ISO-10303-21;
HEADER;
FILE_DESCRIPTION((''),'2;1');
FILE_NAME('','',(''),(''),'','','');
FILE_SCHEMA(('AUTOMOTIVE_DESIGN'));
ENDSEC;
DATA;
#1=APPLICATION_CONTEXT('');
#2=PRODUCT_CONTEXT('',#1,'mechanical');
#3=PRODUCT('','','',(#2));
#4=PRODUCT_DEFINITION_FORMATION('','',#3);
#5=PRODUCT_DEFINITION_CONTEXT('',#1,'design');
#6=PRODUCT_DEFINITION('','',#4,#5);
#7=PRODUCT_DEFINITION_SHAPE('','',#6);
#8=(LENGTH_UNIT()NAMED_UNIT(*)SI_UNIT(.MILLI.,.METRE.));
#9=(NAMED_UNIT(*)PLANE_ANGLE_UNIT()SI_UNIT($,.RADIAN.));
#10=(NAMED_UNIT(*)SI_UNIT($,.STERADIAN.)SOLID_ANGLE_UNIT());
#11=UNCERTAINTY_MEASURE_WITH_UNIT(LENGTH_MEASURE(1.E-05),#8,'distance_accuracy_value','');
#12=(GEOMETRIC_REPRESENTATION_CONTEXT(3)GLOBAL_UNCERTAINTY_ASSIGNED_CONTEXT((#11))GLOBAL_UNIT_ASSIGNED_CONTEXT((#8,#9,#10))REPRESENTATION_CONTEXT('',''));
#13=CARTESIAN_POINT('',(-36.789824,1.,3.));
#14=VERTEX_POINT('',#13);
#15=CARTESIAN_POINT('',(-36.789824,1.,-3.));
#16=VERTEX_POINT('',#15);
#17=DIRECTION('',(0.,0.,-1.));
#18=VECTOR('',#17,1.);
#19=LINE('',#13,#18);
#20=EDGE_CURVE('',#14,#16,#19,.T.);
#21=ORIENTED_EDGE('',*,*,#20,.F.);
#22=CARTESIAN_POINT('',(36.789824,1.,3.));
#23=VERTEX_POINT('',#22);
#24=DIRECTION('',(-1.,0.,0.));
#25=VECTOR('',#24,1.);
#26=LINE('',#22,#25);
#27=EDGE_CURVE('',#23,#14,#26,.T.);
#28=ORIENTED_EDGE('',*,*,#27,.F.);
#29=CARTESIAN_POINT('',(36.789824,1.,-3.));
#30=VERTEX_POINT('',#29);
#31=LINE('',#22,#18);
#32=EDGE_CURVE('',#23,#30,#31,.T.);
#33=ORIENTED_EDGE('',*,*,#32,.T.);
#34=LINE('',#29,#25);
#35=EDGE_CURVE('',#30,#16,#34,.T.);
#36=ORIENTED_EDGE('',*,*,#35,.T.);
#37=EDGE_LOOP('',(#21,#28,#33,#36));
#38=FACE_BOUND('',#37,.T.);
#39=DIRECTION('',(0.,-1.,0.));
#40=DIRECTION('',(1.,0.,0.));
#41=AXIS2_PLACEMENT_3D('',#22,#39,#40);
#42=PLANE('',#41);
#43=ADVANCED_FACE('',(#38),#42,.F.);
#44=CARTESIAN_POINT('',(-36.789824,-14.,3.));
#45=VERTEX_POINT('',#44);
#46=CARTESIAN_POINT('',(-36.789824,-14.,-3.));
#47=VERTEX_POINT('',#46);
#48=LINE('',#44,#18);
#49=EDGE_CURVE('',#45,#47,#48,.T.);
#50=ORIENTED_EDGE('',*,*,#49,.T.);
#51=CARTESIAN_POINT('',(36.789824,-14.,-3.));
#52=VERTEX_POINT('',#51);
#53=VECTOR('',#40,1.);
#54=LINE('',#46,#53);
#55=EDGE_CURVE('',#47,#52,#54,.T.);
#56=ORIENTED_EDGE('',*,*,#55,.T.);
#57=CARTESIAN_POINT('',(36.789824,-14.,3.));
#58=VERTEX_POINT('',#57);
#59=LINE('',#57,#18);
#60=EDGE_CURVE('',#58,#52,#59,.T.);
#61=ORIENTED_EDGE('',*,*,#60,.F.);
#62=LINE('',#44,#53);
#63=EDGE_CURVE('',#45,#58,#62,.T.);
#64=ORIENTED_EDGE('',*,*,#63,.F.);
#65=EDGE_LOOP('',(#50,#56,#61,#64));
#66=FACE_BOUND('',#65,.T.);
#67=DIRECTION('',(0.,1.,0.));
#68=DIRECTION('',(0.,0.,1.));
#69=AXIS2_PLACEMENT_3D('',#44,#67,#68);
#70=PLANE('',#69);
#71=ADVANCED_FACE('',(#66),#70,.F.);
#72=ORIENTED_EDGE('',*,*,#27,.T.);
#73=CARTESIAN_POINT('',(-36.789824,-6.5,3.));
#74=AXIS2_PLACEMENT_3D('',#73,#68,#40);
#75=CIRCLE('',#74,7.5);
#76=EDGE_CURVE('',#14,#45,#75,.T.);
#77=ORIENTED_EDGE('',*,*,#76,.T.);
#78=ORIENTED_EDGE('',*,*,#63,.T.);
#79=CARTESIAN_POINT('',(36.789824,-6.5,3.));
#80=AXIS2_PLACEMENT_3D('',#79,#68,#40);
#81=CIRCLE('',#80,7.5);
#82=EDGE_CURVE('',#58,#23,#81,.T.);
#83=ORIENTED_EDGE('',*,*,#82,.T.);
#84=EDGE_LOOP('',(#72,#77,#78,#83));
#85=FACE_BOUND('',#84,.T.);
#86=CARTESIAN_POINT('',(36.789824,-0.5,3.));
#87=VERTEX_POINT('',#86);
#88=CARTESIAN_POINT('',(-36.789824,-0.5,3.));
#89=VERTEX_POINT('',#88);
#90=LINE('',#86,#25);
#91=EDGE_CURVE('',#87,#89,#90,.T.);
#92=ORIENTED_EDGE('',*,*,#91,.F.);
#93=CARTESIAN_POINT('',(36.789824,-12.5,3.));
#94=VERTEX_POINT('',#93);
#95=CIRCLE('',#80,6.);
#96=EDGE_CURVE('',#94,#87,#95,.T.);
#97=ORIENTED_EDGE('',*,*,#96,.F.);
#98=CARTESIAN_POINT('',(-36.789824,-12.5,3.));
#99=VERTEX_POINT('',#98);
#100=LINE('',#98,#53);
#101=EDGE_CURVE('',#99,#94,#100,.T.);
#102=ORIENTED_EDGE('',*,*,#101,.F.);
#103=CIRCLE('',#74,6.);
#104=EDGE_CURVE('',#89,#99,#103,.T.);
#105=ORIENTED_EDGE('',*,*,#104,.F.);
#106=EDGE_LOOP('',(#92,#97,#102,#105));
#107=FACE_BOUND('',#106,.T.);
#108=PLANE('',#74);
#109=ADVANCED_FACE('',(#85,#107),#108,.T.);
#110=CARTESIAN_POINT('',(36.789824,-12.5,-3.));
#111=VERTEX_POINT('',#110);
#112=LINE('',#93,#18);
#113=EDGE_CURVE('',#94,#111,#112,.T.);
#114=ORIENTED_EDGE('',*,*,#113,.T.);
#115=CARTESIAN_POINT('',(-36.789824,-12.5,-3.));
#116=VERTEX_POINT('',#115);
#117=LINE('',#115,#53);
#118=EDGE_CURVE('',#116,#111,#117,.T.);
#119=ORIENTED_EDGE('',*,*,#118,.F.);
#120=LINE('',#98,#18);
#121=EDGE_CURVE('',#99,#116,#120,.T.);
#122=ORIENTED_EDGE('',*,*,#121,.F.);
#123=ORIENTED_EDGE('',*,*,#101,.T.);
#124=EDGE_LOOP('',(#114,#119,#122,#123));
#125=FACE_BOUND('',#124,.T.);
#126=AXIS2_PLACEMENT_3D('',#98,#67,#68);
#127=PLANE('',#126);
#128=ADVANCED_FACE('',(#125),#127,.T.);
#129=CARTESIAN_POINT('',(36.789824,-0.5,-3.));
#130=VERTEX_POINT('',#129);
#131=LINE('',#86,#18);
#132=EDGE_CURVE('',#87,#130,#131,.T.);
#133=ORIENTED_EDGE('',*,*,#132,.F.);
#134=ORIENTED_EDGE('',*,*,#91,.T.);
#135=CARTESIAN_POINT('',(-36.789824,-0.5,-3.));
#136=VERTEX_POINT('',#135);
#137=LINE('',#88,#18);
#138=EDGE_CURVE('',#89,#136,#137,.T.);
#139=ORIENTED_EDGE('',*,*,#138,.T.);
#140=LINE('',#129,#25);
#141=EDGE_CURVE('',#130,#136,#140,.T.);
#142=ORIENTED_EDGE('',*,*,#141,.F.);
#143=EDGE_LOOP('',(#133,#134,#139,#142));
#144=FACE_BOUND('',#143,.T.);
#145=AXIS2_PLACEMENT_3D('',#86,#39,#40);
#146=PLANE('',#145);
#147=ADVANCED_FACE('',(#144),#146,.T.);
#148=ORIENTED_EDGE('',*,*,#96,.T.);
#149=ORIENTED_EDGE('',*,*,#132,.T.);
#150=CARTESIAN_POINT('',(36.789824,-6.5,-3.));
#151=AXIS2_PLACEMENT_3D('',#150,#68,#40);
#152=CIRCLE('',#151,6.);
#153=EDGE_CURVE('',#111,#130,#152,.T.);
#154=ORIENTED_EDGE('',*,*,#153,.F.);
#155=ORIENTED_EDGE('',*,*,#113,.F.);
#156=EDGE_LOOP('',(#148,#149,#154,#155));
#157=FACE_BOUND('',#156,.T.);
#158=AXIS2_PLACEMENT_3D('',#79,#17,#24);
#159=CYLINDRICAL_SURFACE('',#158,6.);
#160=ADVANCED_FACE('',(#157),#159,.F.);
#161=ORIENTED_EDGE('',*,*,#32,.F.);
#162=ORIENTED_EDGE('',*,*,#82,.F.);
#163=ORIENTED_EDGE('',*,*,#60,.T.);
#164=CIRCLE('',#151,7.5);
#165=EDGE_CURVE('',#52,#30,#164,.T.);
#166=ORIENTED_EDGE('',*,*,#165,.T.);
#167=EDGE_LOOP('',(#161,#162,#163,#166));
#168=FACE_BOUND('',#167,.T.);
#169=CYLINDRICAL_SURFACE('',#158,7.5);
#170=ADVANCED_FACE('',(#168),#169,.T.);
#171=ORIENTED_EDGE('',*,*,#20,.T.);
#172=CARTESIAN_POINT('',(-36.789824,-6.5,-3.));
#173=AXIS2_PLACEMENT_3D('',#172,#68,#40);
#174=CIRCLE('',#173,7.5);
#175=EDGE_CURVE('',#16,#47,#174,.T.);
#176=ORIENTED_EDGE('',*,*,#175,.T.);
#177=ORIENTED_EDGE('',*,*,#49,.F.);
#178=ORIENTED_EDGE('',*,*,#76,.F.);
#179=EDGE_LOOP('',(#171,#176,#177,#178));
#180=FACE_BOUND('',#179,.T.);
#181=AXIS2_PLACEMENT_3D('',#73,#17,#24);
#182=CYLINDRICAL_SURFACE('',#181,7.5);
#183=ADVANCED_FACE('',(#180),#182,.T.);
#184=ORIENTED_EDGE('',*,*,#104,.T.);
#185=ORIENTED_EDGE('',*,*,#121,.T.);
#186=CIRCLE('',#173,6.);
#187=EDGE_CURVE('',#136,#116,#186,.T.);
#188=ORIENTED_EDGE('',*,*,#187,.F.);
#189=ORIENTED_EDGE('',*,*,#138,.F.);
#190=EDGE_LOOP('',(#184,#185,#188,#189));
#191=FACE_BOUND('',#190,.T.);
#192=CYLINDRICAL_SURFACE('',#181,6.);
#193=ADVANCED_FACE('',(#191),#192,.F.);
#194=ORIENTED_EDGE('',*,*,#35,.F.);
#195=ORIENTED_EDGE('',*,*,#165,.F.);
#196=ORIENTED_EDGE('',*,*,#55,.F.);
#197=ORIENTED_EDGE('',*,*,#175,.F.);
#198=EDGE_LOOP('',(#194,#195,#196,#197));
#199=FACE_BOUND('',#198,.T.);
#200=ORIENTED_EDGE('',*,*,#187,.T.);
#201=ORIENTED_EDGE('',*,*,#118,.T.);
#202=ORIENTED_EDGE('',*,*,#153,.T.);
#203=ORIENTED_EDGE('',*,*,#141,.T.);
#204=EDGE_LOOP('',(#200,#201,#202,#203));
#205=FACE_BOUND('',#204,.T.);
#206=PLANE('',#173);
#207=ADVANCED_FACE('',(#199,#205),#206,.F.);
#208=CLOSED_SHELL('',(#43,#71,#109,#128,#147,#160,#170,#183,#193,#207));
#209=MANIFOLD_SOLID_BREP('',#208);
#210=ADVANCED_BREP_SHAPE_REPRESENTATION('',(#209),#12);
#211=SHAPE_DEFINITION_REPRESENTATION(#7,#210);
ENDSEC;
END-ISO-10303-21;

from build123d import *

# Parameters (mm, degrees)
EXTRUDE_THIN1_DEPTH = 3


with BuildPart() as part:
    # Sketch1 → Extrude-Thin1 (new, symmetric)
    with BuildSketch(Plane.XY):
        with BuildLine():
            Line((36.789823876, 1), (-36.789823876, 1))
            ThreePointArc((-36.789823876, 1), (-44.289823876, -6.5), (-36.789823876, -14))
            Line((-36.789823876, -14), (36.789823876, -14))
            ThreePointArc((36.789823876, -14), (44.289823876, -6.5), (36.789823876, 1))
        make_face()
        with BuildLine():
            Line((36.789823876, -0.5), (-36.789823876, -0.5))
            ThreePointArc((-36.789823876, -0.5), (-42.789823876, -6.5), (-36.789823876, -12.5))
            Line((-36.789823876, -12.5), (36.789823876, -12.5))
            ThreePointArc((36.789823876, -12.5), (42.789823876, -6.5), (36.789823876, -0.5))
        make_face(mode=Mode.SUBTRACT)
    extrude(amount=EXTRUDE_THIN1_DEPTH, both=True)


solid = part.part
